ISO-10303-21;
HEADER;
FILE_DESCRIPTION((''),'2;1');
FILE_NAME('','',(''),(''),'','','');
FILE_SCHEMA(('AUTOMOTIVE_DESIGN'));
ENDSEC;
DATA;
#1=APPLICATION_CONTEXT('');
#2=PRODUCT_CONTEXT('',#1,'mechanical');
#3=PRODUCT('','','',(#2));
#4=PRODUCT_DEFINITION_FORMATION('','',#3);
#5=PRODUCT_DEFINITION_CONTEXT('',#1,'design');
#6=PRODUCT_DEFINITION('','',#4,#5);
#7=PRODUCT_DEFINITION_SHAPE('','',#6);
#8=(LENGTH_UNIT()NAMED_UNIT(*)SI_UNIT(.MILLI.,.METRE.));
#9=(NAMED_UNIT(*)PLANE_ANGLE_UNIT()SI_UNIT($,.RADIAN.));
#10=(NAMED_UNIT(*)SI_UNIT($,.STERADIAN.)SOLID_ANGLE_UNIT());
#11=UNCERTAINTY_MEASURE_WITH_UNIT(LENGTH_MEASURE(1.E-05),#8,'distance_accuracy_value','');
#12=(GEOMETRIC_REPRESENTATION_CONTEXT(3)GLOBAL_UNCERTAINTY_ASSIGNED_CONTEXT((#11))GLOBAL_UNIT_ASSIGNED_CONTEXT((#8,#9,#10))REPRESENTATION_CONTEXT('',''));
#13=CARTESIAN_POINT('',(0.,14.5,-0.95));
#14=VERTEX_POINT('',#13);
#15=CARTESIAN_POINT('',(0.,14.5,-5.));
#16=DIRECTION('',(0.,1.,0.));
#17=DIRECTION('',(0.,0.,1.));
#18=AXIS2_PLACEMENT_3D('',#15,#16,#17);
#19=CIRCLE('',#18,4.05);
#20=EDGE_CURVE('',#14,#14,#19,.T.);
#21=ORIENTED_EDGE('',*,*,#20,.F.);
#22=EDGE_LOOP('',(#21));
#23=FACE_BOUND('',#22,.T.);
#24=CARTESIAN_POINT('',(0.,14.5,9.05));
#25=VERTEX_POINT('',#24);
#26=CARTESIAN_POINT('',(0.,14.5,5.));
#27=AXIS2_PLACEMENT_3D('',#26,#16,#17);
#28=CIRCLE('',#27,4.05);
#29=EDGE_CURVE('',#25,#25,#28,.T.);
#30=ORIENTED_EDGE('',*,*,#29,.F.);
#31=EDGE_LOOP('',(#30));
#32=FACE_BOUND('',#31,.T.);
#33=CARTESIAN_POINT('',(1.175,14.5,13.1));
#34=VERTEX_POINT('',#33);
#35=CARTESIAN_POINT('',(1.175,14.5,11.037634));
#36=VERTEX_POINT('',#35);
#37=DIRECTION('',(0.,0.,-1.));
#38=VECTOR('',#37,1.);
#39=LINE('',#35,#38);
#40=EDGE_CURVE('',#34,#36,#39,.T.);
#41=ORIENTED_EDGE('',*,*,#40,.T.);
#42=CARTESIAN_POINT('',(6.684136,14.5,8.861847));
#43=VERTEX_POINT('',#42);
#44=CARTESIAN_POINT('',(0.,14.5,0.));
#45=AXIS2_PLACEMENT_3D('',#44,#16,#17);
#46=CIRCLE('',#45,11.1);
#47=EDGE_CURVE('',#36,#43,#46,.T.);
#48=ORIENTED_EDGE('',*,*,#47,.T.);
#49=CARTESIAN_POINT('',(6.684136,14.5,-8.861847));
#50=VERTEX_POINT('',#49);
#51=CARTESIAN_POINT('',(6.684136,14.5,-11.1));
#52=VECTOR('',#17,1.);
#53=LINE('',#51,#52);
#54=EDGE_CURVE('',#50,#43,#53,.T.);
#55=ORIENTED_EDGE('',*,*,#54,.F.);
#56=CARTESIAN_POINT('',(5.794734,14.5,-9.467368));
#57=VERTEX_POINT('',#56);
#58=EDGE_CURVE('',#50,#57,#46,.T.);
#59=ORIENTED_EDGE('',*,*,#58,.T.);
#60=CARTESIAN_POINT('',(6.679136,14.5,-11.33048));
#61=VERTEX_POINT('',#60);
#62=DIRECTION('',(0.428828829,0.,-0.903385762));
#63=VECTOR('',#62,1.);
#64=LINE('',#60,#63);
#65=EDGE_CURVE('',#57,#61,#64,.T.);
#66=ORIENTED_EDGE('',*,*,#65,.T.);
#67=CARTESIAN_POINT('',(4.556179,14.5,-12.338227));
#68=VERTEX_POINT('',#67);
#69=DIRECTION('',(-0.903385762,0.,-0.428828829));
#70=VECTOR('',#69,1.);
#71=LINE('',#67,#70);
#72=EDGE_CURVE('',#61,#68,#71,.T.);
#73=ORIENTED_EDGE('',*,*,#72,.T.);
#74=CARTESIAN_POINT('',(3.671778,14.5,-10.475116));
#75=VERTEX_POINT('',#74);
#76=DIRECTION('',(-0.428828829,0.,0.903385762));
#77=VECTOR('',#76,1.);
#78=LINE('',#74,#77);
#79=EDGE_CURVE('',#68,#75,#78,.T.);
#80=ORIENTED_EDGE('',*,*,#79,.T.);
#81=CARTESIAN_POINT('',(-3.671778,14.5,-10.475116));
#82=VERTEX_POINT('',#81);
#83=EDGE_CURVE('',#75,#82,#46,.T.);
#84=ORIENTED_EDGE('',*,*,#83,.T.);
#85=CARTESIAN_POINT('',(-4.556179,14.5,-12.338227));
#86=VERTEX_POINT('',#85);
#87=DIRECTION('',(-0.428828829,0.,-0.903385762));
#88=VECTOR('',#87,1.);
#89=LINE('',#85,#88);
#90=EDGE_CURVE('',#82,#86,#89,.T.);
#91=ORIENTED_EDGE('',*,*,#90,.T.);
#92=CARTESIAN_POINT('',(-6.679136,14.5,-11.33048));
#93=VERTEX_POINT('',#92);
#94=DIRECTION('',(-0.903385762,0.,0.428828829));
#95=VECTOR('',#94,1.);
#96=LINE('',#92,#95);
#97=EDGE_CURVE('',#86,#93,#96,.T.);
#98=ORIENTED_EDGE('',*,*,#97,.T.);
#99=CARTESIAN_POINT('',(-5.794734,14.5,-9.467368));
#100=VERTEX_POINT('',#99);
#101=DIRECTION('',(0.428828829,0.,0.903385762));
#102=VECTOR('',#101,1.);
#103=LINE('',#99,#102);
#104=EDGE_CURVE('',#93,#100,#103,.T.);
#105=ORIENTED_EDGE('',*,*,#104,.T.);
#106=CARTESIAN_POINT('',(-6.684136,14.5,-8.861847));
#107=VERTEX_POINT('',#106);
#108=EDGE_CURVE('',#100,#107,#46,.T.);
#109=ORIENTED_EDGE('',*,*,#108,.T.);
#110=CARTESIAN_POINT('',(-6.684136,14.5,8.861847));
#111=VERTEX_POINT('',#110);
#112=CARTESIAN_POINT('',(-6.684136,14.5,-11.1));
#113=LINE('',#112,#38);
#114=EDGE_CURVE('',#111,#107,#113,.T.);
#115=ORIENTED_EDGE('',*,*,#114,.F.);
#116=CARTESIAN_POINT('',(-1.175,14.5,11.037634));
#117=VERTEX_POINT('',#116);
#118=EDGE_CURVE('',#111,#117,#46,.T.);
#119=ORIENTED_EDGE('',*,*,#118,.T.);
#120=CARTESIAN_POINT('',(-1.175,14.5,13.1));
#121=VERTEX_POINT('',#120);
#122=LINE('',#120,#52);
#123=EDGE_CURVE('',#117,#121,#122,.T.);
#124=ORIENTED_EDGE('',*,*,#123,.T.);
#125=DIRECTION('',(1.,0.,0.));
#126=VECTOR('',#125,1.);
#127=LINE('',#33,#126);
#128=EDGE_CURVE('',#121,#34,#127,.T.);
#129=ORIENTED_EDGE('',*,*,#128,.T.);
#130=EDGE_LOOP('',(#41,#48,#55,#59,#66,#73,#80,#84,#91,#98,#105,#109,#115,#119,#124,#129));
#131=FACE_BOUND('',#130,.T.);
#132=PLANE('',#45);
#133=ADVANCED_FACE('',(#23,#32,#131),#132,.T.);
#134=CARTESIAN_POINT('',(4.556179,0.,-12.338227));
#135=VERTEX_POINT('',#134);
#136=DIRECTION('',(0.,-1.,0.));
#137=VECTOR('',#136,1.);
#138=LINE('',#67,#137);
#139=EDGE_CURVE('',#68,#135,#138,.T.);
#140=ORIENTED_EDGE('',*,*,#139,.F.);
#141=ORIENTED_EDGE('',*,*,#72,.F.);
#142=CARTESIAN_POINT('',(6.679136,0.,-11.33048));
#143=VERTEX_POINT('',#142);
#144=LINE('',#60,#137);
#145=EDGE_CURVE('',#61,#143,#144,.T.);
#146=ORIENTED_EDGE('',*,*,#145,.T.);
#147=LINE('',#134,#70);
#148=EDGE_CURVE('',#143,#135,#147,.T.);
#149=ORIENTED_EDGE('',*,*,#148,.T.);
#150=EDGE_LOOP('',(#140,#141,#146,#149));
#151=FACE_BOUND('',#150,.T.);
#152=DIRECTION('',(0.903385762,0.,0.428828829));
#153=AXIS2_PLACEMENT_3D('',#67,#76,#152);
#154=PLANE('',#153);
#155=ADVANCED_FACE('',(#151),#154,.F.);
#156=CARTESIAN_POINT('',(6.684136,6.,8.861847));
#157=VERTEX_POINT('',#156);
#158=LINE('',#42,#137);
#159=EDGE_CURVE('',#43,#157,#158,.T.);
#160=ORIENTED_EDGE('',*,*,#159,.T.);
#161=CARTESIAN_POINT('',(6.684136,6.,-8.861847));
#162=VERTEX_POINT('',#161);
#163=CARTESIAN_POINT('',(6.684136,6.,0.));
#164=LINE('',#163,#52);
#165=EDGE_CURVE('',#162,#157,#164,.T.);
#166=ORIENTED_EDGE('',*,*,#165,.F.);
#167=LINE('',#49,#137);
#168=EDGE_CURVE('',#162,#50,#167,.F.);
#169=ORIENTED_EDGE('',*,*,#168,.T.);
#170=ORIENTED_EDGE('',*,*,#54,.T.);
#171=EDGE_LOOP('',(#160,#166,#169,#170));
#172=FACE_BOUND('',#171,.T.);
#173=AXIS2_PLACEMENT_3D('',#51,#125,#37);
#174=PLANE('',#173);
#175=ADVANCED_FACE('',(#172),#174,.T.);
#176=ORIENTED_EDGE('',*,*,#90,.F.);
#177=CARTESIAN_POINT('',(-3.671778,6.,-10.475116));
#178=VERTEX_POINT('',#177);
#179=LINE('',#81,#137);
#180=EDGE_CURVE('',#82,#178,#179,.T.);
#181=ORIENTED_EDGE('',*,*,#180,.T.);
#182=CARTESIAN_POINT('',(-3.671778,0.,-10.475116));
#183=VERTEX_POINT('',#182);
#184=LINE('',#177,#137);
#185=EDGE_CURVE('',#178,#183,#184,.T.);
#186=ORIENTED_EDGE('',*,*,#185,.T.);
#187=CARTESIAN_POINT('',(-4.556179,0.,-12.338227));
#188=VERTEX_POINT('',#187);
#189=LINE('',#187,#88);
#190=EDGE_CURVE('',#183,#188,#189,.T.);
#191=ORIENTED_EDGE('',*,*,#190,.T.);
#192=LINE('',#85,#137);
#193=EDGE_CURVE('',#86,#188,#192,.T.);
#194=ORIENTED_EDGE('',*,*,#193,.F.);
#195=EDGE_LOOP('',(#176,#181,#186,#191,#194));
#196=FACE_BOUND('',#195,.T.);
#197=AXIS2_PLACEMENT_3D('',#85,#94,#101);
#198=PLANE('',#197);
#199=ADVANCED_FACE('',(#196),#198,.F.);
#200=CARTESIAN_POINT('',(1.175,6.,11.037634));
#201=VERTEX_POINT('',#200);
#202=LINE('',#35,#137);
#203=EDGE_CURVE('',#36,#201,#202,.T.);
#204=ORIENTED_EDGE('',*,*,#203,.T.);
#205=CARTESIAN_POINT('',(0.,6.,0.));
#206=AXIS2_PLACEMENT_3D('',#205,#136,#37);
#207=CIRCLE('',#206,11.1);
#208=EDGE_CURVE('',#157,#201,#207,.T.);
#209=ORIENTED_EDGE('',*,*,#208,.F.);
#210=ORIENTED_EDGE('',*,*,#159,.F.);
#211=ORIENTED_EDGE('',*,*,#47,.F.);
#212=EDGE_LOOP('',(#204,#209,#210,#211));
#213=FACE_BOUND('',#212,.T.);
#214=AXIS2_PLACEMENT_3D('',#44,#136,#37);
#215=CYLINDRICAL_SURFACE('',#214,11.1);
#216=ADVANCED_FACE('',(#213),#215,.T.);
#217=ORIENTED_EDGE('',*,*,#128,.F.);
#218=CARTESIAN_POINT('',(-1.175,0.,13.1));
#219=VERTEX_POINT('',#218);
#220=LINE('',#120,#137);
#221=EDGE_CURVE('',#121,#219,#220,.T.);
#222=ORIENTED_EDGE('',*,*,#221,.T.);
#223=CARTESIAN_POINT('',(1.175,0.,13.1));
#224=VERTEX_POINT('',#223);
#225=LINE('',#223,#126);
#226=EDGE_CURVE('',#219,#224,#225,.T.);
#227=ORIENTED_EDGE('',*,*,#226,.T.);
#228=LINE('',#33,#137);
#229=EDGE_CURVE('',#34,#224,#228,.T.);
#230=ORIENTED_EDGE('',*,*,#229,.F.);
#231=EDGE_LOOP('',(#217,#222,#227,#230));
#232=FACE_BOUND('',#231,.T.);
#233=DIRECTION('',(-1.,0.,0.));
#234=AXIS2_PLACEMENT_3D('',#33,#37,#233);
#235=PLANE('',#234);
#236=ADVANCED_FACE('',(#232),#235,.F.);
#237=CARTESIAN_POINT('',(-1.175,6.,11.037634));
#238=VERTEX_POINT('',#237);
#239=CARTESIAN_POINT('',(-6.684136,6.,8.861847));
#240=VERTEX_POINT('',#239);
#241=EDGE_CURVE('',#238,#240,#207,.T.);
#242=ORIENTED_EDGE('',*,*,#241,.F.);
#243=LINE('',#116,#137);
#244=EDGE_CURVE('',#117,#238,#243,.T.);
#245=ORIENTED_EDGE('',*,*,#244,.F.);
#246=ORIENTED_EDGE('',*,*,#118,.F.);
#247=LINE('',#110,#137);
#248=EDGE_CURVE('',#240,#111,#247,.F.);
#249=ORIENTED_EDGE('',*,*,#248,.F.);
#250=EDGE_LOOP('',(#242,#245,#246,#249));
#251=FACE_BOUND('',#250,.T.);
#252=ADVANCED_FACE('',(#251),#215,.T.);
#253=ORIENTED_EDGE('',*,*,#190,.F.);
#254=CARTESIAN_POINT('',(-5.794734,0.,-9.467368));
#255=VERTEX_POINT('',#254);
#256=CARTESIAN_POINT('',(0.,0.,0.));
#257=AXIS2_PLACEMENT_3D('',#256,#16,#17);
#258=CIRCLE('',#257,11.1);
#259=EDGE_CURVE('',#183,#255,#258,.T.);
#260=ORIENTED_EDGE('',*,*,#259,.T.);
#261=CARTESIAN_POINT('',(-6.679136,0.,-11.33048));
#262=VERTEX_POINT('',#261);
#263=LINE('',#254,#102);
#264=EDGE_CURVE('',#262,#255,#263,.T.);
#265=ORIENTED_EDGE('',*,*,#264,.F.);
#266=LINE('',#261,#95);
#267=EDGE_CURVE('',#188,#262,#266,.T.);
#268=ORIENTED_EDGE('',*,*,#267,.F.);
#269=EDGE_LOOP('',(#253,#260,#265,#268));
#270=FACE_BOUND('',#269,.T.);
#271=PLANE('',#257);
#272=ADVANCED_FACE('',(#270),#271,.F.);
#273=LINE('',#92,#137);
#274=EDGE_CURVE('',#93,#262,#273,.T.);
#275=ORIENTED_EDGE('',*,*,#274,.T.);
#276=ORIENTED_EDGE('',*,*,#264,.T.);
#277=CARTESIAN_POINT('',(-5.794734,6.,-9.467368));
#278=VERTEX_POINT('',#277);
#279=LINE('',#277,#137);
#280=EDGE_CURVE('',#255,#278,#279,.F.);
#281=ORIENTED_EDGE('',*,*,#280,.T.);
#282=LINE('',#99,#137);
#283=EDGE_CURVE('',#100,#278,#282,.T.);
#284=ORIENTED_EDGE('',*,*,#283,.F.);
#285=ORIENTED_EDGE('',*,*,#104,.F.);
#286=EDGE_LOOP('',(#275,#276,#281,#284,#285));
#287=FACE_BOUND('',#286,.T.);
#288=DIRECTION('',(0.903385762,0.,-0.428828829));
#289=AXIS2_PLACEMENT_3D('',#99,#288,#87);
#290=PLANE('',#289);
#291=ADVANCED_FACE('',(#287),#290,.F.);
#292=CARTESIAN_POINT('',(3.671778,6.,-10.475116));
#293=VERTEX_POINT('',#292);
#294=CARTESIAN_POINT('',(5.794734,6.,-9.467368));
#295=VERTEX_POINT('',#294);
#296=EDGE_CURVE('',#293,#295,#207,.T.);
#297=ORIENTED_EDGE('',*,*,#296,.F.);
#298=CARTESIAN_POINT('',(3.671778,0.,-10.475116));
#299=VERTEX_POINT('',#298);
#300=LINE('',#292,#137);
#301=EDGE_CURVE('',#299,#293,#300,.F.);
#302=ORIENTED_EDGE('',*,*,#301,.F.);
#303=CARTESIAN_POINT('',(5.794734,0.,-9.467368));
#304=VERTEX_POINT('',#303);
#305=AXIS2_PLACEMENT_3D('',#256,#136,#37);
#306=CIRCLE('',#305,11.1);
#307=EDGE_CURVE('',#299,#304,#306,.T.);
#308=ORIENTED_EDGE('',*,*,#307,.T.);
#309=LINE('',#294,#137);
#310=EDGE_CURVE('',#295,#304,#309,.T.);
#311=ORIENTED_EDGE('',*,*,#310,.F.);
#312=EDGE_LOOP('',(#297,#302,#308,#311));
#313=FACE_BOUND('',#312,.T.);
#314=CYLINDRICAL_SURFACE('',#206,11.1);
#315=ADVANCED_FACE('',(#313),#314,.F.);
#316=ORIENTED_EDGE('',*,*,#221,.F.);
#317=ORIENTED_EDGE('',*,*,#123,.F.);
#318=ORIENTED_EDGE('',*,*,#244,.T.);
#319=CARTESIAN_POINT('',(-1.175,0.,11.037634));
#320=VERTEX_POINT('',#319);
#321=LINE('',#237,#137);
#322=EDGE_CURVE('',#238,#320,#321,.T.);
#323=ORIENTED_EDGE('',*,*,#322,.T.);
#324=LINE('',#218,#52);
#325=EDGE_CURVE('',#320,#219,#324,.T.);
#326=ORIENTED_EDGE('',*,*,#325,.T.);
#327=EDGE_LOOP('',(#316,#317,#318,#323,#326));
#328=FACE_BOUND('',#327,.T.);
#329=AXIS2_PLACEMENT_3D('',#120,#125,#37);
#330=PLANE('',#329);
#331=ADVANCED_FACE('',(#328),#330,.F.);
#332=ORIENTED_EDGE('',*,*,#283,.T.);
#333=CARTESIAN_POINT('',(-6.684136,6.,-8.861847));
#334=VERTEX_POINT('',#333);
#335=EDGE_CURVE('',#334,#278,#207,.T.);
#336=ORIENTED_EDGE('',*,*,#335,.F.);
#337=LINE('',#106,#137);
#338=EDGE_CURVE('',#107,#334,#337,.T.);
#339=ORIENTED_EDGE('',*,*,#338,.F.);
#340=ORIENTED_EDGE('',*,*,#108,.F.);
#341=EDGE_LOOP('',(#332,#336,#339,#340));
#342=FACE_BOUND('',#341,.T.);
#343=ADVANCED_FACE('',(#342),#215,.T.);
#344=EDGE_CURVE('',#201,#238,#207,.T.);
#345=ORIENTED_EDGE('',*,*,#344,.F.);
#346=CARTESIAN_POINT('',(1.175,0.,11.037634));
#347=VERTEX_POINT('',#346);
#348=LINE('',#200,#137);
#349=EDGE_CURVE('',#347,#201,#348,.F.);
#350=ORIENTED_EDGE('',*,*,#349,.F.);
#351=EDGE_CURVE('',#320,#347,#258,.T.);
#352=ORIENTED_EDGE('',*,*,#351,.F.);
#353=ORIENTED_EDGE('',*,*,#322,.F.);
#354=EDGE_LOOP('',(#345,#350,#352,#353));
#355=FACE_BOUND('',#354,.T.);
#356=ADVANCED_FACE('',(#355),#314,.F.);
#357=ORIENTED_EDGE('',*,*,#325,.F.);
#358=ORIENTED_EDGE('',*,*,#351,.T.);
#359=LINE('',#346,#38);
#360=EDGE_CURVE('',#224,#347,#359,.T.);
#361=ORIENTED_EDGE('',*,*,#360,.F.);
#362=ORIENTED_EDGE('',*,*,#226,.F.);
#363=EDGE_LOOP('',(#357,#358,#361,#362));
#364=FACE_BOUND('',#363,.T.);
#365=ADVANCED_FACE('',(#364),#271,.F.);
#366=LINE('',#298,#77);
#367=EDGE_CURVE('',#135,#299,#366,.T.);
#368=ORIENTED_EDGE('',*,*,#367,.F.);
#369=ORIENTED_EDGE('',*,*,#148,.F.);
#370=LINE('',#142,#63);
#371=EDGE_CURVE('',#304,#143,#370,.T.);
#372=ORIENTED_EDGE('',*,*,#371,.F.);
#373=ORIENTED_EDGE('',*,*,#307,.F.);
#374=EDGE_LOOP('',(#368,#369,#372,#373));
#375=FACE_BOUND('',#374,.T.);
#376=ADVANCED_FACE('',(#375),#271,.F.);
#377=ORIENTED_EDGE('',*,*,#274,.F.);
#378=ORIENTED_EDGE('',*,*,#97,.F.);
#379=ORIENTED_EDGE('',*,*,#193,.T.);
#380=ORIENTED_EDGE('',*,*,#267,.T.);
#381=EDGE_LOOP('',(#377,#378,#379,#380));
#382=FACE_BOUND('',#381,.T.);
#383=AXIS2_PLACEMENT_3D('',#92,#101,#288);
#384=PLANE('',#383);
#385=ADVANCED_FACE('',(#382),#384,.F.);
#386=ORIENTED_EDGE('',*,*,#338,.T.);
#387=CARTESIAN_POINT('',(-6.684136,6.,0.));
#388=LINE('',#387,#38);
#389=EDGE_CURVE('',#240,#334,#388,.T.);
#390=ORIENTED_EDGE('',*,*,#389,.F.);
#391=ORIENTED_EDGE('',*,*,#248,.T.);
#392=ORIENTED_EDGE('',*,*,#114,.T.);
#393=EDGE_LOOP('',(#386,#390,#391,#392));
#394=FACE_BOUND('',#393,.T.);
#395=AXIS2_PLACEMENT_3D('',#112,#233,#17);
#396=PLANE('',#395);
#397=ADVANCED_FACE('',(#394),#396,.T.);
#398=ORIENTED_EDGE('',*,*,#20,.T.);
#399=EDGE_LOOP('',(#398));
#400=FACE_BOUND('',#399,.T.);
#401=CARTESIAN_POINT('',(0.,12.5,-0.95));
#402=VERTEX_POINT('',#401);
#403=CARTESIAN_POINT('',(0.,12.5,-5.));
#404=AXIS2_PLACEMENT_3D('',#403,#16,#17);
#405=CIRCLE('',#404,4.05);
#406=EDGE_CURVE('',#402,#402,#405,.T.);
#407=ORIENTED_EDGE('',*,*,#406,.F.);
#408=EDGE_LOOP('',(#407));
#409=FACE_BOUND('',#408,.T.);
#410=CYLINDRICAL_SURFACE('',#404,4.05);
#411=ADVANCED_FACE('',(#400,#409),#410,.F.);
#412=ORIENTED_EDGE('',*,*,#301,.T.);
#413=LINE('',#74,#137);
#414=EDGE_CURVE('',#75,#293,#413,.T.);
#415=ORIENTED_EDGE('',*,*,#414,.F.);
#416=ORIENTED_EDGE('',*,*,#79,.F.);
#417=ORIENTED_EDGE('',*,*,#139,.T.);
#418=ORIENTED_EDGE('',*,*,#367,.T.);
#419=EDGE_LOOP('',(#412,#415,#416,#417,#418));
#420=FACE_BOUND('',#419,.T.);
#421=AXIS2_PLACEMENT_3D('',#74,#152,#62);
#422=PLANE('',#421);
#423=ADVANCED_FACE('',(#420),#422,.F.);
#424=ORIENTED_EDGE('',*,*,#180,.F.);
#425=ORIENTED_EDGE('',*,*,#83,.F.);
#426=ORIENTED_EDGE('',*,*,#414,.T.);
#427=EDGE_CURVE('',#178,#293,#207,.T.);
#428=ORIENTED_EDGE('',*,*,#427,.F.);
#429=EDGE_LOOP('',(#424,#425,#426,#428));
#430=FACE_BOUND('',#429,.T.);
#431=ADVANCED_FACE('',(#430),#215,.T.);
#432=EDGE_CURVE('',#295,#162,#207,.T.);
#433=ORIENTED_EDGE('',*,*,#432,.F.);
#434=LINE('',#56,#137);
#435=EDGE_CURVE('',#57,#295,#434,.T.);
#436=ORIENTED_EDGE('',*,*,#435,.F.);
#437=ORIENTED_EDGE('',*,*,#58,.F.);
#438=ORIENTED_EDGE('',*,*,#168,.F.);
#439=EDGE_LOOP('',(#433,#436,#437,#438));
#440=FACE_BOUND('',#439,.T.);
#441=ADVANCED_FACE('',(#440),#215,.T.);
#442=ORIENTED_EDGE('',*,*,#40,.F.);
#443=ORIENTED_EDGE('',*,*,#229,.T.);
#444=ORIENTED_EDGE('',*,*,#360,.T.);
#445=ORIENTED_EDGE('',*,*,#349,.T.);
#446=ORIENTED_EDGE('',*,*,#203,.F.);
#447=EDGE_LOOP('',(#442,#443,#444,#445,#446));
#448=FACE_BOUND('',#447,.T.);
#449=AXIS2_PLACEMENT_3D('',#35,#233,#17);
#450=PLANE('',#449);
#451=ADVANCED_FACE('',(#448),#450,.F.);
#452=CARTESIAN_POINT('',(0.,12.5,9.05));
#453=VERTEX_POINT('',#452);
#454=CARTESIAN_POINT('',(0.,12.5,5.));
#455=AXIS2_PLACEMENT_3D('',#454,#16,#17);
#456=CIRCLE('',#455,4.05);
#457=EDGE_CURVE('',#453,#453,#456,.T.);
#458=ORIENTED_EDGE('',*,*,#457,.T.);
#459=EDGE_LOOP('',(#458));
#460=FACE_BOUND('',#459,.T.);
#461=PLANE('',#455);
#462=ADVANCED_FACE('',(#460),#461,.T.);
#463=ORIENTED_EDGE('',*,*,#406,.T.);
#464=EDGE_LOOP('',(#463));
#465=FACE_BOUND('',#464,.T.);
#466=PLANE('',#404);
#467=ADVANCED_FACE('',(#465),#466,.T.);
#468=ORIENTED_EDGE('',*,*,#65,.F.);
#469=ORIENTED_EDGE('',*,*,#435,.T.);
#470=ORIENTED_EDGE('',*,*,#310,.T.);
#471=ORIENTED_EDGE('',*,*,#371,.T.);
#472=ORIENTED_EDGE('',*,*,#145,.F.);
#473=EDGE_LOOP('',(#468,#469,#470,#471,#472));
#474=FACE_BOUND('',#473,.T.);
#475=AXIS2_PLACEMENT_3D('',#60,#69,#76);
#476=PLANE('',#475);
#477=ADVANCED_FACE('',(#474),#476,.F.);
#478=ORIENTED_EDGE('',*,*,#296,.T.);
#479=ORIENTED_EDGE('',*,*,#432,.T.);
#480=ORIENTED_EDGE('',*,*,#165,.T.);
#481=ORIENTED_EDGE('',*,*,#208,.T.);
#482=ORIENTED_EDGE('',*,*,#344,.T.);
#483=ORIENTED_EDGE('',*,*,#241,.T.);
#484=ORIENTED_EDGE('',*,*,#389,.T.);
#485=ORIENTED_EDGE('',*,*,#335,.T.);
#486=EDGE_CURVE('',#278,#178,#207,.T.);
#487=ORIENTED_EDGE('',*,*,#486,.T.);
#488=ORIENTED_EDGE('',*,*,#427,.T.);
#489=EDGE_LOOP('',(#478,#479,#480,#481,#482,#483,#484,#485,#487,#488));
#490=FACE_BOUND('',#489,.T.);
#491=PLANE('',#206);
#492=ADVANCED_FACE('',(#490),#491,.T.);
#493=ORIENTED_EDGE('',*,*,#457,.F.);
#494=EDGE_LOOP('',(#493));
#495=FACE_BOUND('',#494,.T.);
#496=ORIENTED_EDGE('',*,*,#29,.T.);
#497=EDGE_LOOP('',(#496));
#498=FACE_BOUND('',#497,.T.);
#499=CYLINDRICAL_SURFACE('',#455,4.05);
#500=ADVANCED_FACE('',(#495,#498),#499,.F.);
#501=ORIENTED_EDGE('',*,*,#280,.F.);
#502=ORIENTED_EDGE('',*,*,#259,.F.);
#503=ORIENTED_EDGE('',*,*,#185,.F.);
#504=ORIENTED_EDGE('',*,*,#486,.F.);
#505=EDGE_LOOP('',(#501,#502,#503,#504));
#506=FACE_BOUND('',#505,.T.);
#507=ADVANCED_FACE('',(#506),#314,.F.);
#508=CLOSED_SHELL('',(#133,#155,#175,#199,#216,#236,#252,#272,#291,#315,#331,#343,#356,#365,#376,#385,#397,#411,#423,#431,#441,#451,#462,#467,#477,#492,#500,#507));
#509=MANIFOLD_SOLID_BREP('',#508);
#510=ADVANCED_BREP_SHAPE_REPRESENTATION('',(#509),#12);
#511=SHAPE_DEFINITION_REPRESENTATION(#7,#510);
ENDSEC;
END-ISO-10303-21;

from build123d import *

# Parameters (mm, degrees)
BOSS_EXTRUDE2_DEPTH = 14.5
SKETCH3_R           = 11.1
CUT_EXTRUDE1_DEPTH  = 6
SKETCH5_R           = 4.05
CUT_EXTRUDE2_DEPTH  = 2
SKETCH6_W           = 4.420864072
SKETCH6_H           = 22.2
CUT_EXTRUDE4_DEPTH  = 23.47376248


with BuildPart() as part:
    # Sketch2 → Boss-Extrude2 (new body)
    with BuildSketch(Plane(origin=(0, 0, 0), x_dir=(1, 0, 0), z_dir=(0, 1, 0))):
        with BuildLine():
            Line((-5.794734139, 9.467367969), (-6.679135928, 11.330479613))
            Line((-6.679135928, 11.330479613), (-4.556179387, 12.33822736))
            Line((-4.556179387, 12.33822736), (-3.671777598, 10.475115716))
            ThreePointArc((-3.671777598, 10.475115716), (0, 11.1), (3.671777598, 10.475115716))
            Line((3.671777598, 10.475115716), (4.556179387, 12.33822736))
            Line((4.556179387, 12.33822736), (6.679135928, 11.330479613))
            Line((6.679135928, 11.330479613), (5.794734139, 9.467367969))
            ThreePointArc((5.794734139, 9.467367969), (10.828577002, -2.439655736), (1.175, -11.037634484))
            Line((1.175, -11.037634484), (1.175, -13.1))
            Line((1.175, -13.1), (-1.175, -13.1))
            Line((-1.175, -13.1), (-1.175, -11.037634484))
            ThreePointArc((-1.175, -11.037634484), (-10.828577002, -2.439655736), (-5.794734139, 9.467367969))
        make_face()
    extrude(amount=BOSS_EXTRUDE2_DEPTH)

    # Sketch3 → Cut-Extrude1 (cut)
    with BuildSketch(Plane.XZ):
        Circle(SKETCH3_R)
    extrude(amount=-CUT_EXTRUDE1_DEPTH, mode=Mode.SUBTRACT)

    # Sketch5 → Cut-Extrude2 (cut)
    with BuildSketch(Plane(origin=(0, 14.5, 0), x_dir=(1, 0, 0), z_dir=(0, 1, 0))):
        with Locations(Location((0, 5, 0), (0, 0, 270))):
            Circle(SKETCH5_R)
        with Locations(Location((0, -5, 0), (0, 0, 270))):
            Circle(SKETCH5_R)
    extrude(amount=-CUT_EXTRUDE2_DEPTH, mode=Mode.SUBTRACT)

    # Sketch6 → Cut-Extrude4 (cut, through all)
    with BuildSketch(Plane(origin=(0, 0, 0), x_dir=(1, 0, 0), z_dir=(0, 1, 0))):
        with Locations((8.894567964, 0)):
            Rectangle(SKETCH6_W, SKETCH6_H)
        with Locations((-8.894567964, 0)):
            Rectangle(SKETCH6_W, SKETCH6_H)
    extrude(amount=CUT_EXTRUDE4_DEPTH, mode=Mode.SUBTRACT)


solid = part.part
